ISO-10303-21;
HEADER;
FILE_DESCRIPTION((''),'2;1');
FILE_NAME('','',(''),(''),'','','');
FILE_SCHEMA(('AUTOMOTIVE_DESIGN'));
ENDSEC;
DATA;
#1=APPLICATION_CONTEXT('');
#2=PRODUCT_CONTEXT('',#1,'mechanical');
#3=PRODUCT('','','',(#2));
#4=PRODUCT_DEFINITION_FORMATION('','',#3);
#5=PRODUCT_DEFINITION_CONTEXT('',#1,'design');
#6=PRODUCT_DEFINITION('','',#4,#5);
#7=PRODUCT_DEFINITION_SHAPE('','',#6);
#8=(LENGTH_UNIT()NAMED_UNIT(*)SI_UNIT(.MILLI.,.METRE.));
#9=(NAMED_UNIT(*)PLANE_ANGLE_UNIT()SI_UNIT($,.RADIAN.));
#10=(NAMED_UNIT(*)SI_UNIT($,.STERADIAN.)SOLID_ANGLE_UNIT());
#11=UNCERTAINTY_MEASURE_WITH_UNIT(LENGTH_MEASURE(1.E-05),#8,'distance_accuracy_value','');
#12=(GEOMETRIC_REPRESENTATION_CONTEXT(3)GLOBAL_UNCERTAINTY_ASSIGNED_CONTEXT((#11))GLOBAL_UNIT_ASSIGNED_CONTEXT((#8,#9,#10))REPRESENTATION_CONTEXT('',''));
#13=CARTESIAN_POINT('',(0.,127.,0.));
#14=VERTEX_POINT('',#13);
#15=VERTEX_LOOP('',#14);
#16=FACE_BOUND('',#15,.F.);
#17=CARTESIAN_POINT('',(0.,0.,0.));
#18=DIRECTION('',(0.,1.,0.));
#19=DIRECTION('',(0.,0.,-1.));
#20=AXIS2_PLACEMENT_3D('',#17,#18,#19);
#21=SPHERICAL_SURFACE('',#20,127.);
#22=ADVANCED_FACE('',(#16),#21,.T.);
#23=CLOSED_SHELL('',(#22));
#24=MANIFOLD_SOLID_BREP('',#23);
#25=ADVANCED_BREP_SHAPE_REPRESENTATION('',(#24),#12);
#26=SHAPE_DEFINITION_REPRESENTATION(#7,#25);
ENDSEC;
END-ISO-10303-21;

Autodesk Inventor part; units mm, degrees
ref_plane "YZ Plane" through (0, 0, 0) normal (1, 0, 0) x (0, 1, 0)
ref_plane "XZ Plane" through (0, 0, 0) normal (0, 1, 0) x (-1, 0, 0)
ref_plane "XY Plane" through (0, 0, 0) normal (0, 0, 1) x (1, 0, 0)
sketch "Sketch1" plane through (0, 0, 0) normal (1, 0, 0) x (0, 1, 0)
  arc A0 (-127, 0) -> (127, 0) centre (0, 0) ccw
  line L0 (127, 0) -> (-127, 0)
  dimension "d1" = 254
revolve "Revolution1" add sketch "Sketch1" angle 360 about axis through (0, 127, 0) along (0, -1, 0)
properties part number "BOULDER"
